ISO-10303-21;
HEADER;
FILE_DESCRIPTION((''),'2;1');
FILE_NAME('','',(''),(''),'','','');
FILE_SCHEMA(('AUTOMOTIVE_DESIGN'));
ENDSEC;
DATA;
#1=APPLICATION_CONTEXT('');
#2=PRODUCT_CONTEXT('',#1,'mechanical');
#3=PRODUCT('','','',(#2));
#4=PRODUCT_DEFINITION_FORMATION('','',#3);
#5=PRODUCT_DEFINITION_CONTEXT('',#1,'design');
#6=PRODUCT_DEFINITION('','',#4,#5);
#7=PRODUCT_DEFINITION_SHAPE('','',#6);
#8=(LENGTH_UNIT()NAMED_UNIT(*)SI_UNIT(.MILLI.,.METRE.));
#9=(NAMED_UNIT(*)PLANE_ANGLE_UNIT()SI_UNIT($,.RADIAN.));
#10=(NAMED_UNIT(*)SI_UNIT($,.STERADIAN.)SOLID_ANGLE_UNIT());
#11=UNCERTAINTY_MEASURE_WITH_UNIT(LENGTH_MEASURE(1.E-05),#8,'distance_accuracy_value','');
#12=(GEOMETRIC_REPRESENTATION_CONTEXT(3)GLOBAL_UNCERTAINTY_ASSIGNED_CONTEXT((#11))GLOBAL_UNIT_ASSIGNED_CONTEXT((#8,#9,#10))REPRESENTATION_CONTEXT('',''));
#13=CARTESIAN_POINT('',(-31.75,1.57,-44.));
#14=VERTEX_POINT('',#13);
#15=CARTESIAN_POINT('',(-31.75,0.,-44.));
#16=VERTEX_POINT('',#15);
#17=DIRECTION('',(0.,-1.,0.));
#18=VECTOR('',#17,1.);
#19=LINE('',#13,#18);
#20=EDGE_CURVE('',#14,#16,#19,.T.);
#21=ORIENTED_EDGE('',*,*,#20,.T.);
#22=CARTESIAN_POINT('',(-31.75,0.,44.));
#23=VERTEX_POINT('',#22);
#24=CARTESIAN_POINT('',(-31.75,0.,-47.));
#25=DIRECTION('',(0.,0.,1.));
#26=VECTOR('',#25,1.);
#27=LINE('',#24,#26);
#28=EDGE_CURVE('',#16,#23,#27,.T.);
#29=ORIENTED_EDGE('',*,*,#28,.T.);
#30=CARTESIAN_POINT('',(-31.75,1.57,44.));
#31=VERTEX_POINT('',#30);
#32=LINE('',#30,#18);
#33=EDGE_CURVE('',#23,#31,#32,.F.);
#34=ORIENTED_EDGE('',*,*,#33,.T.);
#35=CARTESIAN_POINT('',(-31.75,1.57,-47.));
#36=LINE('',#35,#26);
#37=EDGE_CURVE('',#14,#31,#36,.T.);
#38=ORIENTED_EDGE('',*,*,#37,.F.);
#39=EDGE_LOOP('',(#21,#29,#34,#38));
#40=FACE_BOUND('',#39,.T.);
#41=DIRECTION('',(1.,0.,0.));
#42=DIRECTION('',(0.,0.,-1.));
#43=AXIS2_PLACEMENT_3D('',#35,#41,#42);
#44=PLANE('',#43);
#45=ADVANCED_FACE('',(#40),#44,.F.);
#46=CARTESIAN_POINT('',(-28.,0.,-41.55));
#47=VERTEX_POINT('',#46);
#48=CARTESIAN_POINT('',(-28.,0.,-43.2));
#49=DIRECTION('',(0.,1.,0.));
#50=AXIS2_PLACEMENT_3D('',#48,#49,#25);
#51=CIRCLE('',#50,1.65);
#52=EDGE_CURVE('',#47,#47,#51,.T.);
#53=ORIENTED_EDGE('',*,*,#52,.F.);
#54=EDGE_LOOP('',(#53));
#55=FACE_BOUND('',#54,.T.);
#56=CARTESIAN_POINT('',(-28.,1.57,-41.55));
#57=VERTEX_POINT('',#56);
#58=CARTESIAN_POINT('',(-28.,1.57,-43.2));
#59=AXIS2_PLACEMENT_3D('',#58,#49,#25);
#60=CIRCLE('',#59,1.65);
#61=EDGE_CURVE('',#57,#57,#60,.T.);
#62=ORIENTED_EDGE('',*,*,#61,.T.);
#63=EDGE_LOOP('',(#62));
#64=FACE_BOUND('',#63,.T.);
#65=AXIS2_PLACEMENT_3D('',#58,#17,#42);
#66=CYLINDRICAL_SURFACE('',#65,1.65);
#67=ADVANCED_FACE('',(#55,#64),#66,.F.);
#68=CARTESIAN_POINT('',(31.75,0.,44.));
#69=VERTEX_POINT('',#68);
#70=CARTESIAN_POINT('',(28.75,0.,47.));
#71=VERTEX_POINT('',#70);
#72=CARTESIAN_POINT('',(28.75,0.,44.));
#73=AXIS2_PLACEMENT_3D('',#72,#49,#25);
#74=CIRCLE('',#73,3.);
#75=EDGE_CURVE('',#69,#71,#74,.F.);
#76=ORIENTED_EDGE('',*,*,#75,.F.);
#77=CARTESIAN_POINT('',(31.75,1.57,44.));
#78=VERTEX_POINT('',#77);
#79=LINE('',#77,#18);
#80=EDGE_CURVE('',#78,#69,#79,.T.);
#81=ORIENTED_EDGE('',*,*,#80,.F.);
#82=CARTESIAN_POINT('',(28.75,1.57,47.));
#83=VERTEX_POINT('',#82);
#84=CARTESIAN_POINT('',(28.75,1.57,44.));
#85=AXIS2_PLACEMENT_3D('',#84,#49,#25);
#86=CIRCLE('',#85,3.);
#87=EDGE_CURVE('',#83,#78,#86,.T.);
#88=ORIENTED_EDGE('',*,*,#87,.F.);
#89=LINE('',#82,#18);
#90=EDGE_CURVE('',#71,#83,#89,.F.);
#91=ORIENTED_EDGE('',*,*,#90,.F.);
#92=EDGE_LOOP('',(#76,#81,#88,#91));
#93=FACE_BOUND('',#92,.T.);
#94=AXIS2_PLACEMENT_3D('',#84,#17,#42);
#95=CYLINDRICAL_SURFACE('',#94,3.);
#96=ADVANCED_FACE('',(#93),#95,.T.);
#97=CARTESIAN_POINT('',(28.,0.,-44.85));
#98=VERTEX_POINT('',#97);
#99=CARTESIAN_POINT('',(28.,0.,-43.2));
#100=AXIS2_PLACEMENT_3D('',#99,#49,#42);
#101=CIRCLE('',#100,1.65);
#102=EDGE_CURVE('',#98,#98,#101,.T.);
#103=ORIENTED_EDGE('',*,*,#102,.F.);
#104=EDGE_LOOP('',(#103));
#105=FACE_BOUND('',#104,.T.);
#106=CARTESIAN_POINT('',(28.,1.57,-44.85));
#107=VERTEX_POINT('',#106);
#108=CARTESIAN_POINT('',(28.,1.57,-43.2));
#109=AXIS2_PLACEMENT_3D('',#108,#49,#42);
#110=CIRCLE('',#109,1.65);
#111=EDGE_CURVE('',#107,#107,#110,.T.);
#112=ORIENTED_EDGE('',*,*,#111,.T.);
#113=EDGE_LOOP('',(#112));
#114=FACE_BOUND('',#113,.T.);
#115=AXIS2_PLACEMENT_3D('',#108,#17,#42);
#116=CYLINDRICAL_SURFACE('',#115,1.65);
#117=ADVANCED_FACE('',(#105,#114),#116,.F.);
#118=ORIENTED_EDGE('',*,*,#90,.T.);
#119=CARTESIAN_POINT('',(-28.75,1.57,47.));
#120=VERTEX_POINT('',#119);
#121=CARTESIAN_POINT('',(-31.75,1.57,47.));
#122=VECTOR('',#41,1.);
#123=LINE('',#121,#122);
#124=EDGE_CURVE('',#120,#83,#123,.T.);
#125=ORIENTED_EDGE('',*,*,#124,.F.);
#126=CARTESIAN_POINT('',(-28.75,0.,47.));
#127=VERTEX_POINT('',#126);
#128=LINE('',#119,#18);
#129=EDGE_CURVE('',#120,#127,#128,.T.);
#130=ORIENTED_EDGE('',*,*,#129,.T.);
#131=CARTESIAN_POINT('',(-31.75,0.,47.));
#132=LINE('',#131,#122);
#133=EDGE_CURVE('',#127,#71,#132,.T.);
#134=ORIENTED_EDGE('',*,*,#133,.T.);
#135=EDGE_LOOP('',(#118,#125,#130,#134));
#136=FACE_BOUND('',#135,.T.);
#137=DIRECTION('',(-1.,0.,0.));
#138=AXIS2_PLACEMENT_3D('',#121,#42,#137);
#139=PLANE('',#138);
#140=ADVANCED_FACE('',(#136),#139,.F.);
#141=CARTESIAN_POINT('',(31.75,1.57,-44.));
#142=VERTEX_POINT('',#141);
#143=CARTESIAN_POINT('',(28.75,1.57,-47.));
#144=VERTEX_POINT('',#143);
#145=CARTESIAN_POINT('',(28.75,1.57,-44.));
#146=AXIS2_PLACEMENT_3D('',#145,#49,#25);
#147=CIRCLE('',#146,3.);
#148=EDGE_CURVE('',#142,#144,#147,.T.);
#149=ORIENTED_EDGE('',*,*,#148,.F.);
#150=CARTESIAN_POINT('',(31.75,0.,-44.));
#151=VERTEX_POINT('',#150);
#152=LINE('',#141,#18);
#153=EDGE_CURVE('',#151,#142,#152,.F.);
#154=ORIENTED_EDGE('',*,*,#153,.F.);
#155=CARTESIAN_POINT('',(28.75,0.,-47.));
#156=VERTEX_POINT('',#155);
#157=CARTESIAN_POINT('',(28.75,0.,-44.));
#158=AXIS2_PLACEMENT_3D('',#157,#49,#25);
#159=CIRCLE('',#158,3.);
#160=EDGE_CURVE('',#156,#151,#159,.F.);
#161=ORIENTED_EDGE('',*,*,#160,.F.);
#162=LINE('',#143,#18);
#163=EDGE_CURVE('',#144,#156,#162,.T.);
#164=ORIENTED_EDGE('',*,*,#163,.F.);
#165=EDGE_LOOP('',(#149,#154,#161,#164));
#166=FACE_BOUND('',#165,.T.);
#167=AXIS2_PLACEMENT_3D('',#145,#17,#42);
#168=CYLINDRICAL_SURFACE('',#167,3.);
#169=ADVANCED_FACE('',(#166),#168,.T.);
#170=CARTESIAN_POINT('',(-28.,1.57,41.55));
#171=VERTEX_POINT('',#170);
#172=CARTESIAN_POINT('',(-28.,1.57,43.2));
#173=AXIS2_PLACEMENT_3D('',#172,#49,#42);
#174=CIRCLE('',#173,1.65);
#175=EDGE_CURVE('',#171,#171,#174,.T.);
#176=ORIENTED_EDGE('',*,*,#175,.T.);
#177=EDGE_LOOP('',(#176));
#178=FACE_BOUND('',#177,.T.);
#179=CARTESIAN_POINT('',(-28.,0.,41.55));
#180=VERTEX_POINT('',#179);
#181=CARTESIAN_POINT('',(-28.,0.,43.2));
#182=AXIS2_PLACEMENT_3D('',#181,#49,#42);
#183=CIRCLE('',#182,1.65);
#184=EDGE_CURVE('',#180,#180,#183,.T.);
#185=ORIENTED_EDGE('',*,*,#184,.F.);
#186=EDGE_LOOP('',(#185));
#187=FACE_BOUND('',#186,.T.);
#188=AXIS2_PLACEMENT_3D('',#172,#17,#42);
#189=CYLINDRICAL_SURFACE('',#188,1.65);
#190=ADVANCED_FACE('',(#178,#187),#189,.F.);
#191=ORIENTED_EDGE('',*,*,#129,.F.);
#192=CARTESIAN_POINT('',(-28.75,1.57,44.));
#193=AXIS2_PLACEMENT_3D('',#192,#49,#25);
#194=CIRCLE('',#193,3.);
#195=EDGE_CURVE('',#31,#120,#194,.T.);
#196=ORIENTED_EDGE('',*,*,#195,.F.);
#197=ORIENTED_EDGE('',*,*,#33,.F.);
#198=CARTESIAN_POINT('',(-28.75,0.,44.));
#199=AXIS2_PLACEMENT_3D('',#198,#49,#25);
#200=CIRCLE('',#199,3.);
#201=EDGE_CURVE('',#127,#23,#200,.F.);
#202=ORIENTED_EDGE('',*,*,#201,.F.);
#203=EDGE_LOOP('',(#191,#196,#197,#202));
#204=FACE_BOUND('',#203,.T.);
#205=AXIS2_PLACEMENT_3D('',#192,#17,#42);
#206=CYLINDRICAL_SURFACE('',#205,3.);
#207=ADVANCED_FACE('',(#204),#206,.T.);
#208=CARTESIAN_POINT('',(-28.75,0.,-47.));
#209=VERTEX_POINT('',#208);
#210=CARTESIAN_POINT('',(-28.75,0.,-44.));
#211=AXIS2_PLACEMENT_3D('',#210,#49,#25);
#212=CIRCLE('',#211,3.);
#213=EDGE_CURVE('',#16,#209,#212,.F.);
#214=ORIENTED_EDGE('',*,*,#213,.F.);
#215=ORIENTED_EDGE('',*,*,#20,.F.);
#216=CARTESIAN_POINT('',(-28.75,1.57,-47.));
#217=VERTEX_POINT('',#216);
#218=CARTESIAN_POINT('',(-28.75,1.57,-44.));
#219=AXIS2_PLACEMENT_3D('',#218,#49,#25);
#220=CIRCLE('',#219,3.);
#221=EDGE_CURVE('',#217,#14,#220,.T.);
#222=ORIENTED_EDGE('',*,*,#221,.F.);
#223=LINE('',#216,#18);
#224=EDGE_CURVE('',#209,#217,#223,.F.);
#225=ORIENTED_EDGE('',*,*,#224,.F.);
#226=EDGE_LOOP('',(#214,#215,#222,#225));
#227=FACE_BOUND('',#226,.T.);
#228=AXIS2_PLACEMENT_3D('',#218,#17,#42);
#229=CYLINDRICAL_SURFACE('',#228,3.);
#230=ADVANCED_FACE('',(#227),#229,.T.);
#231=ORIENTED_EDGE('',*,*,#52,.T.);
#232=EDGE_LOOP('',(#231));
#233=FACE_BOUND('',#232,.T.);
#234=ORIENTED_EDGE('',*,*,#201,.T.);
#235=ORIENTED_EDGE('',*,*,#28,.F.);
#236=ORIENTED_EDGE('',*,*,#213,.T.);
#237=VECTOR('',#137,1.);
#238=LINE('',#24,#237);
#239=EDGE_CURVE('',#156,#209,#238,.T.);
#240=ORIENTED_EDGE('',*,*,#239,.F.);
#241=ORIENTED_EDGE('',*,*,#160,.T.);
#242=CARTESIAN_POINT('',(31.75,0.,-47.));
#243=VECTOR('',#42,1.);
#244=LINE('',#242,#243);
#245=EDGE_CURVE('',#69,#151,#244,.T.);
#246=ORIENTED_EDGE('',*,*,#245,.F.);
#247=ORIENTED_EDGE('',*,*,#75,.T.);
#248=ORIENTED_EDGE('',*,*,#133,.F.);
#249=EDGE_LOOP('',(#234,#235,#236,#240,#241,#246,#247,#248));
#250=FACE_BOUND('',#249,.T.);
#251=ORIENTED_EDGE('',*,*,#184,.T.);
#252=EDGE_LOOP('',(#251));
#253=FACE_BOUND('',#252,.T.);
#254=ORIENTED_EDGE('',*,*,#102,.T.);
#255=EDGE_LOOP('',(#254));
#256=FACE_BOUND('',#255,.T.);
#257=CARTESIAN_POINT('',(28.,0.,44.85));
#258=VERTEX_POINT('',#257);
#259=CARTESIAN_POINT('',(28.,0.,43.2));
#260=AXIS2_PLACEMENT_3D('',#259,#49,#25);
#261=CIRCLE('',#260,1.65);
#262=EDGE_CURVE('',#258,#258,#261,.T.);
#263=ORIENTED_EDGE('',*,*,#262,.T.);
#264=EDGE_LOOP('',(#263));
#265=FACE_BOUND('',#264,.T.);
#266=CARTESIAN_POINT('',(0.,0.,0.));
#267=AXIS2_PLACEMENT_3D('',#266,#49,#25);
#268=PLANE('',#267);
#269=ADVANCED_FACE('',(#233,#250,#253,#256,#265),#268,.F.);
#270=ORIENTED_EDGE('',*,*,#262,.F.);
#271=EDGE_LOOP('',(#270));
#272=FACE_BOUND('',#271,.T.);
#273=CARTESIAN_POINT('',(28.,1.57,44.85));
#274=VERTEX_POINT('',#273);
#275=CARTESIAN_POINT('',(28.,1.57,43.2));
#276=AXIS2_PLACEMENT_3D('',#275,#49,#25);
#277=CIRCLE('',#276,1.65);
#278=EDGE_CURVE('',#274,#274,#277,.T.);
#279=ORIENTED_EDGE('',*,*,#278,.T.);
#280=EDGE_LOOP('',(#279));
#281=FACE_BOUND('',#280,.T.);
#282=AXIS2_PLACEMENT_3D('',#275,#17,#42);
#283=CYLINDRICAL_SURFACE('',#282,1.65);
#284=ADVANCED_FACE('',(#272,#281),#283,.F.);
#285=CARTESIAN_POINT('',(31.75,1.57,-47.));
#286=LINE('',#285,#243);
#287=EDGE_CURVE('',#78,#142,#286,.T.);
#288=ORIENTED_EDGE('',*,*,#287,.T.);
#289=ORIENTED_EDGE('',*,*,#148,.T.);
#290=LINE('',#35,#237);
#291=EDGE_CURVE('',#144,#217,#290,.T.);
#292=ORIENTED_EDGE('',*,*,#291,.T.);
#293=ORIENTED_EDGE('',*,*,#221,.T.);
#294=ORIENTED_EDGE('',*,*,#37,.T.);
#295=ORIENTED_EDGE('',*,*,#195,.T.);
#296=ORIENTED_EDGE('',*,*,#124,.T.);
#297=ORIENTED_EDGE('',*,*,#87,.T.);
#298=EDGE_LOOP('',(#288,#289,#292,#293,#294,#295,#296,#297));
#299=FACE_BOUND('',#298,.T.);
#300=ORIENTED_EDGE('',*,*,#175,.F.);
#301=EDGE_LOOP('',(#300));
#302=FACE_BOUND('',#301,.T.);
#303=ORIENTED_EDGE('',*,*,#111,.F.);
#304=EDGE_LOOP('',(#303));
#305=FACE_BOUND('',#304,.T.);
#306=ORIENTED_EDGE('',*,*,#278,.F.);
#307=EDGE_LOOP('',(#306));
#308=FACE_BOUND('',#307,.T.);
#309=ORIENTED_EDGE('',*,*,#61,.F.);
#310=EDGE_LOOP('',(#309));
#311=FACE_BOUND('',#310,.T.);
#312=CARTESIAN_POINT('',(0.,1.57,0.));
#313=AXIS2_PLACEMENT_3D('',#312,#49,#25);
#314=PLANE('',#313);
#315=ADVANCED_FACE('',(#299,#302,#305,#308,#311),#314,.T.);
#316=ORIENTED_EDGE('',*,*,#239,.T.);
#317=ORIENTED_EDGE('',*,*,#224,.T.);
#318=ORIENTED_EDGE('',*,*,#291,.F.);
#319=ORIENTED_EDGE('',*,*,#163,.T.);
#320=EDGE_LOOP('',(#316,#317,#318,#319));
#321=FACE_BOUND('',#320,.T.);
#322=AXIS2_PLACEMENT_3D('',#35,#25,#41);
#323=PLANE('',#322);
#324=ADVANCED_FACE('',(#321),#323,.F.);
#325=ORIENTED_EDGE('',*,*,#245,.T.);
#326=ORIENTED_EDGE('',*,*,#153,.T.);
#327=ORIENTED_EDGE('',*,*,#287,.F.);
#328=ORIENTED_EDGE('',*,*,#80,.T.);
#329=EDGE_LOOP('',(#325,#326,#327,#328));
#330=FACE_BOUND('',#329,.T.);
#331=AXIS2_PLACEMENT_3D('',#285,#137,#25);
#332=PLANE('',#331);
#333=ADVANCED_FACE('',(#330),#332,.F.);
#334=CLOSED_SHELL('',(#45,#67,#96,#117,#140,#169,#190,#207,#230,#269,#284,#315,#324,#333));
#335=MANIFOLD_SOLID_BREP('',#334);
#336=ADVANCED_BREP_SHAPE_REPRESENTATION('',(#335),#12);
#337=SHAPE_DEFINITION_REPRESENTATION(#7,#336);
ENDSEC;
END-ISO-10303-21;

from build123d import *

# Parameters (mm, degrees)
SKETCH1_W           = 63.5
SKETCH1_H           = 94
SKETCH1_R           = 1.65
BOSS_EXTRUDE1_DEPTH = 1.57
FILLET1_R           = 3


with BuildPart() as part:
    # Sketch1 → Boss-Extrude1 (new body)
    with BuildSketch(Plane(origin=(0, 0, 0), x_dir=(1, 0, 0), z_dir=(0, 1, 0))):
        Rectangle(SKETCH1_W, SKETCH1_H)
        with Locations((-28, 43.2)):
            Circle(SKETCH1_R, mode=Mode.SUBTRACT)
        with Locations((28, 43.2)):
            Circle(SKETCH1_R, mode=Mode.SUBTRACT)
        with Locations((28, -43.2)):
            Circle(SKETCH1_R, mode=Mode.SUBTRACT)
        with Locations((-28, -43.2)):
            Circle(SKETCH1_R, mode=Mode.SUBTRACT)
    extrude(amount=BOSS_EXTRUDE1_DEPTH)

    # Fillet1
    fillet1_edges = [part.edges().sort_by_distance(p)[0] for p in [
        (31.75, 0.785, 47),
        (-31.75, 0.785, 47),
        (-31.75, 0.785, -47),
        (31.75, 0.785, -47),
    ]]
    fillet(fillet1_edges, radius=FILLET1_R)


solid = part.part
